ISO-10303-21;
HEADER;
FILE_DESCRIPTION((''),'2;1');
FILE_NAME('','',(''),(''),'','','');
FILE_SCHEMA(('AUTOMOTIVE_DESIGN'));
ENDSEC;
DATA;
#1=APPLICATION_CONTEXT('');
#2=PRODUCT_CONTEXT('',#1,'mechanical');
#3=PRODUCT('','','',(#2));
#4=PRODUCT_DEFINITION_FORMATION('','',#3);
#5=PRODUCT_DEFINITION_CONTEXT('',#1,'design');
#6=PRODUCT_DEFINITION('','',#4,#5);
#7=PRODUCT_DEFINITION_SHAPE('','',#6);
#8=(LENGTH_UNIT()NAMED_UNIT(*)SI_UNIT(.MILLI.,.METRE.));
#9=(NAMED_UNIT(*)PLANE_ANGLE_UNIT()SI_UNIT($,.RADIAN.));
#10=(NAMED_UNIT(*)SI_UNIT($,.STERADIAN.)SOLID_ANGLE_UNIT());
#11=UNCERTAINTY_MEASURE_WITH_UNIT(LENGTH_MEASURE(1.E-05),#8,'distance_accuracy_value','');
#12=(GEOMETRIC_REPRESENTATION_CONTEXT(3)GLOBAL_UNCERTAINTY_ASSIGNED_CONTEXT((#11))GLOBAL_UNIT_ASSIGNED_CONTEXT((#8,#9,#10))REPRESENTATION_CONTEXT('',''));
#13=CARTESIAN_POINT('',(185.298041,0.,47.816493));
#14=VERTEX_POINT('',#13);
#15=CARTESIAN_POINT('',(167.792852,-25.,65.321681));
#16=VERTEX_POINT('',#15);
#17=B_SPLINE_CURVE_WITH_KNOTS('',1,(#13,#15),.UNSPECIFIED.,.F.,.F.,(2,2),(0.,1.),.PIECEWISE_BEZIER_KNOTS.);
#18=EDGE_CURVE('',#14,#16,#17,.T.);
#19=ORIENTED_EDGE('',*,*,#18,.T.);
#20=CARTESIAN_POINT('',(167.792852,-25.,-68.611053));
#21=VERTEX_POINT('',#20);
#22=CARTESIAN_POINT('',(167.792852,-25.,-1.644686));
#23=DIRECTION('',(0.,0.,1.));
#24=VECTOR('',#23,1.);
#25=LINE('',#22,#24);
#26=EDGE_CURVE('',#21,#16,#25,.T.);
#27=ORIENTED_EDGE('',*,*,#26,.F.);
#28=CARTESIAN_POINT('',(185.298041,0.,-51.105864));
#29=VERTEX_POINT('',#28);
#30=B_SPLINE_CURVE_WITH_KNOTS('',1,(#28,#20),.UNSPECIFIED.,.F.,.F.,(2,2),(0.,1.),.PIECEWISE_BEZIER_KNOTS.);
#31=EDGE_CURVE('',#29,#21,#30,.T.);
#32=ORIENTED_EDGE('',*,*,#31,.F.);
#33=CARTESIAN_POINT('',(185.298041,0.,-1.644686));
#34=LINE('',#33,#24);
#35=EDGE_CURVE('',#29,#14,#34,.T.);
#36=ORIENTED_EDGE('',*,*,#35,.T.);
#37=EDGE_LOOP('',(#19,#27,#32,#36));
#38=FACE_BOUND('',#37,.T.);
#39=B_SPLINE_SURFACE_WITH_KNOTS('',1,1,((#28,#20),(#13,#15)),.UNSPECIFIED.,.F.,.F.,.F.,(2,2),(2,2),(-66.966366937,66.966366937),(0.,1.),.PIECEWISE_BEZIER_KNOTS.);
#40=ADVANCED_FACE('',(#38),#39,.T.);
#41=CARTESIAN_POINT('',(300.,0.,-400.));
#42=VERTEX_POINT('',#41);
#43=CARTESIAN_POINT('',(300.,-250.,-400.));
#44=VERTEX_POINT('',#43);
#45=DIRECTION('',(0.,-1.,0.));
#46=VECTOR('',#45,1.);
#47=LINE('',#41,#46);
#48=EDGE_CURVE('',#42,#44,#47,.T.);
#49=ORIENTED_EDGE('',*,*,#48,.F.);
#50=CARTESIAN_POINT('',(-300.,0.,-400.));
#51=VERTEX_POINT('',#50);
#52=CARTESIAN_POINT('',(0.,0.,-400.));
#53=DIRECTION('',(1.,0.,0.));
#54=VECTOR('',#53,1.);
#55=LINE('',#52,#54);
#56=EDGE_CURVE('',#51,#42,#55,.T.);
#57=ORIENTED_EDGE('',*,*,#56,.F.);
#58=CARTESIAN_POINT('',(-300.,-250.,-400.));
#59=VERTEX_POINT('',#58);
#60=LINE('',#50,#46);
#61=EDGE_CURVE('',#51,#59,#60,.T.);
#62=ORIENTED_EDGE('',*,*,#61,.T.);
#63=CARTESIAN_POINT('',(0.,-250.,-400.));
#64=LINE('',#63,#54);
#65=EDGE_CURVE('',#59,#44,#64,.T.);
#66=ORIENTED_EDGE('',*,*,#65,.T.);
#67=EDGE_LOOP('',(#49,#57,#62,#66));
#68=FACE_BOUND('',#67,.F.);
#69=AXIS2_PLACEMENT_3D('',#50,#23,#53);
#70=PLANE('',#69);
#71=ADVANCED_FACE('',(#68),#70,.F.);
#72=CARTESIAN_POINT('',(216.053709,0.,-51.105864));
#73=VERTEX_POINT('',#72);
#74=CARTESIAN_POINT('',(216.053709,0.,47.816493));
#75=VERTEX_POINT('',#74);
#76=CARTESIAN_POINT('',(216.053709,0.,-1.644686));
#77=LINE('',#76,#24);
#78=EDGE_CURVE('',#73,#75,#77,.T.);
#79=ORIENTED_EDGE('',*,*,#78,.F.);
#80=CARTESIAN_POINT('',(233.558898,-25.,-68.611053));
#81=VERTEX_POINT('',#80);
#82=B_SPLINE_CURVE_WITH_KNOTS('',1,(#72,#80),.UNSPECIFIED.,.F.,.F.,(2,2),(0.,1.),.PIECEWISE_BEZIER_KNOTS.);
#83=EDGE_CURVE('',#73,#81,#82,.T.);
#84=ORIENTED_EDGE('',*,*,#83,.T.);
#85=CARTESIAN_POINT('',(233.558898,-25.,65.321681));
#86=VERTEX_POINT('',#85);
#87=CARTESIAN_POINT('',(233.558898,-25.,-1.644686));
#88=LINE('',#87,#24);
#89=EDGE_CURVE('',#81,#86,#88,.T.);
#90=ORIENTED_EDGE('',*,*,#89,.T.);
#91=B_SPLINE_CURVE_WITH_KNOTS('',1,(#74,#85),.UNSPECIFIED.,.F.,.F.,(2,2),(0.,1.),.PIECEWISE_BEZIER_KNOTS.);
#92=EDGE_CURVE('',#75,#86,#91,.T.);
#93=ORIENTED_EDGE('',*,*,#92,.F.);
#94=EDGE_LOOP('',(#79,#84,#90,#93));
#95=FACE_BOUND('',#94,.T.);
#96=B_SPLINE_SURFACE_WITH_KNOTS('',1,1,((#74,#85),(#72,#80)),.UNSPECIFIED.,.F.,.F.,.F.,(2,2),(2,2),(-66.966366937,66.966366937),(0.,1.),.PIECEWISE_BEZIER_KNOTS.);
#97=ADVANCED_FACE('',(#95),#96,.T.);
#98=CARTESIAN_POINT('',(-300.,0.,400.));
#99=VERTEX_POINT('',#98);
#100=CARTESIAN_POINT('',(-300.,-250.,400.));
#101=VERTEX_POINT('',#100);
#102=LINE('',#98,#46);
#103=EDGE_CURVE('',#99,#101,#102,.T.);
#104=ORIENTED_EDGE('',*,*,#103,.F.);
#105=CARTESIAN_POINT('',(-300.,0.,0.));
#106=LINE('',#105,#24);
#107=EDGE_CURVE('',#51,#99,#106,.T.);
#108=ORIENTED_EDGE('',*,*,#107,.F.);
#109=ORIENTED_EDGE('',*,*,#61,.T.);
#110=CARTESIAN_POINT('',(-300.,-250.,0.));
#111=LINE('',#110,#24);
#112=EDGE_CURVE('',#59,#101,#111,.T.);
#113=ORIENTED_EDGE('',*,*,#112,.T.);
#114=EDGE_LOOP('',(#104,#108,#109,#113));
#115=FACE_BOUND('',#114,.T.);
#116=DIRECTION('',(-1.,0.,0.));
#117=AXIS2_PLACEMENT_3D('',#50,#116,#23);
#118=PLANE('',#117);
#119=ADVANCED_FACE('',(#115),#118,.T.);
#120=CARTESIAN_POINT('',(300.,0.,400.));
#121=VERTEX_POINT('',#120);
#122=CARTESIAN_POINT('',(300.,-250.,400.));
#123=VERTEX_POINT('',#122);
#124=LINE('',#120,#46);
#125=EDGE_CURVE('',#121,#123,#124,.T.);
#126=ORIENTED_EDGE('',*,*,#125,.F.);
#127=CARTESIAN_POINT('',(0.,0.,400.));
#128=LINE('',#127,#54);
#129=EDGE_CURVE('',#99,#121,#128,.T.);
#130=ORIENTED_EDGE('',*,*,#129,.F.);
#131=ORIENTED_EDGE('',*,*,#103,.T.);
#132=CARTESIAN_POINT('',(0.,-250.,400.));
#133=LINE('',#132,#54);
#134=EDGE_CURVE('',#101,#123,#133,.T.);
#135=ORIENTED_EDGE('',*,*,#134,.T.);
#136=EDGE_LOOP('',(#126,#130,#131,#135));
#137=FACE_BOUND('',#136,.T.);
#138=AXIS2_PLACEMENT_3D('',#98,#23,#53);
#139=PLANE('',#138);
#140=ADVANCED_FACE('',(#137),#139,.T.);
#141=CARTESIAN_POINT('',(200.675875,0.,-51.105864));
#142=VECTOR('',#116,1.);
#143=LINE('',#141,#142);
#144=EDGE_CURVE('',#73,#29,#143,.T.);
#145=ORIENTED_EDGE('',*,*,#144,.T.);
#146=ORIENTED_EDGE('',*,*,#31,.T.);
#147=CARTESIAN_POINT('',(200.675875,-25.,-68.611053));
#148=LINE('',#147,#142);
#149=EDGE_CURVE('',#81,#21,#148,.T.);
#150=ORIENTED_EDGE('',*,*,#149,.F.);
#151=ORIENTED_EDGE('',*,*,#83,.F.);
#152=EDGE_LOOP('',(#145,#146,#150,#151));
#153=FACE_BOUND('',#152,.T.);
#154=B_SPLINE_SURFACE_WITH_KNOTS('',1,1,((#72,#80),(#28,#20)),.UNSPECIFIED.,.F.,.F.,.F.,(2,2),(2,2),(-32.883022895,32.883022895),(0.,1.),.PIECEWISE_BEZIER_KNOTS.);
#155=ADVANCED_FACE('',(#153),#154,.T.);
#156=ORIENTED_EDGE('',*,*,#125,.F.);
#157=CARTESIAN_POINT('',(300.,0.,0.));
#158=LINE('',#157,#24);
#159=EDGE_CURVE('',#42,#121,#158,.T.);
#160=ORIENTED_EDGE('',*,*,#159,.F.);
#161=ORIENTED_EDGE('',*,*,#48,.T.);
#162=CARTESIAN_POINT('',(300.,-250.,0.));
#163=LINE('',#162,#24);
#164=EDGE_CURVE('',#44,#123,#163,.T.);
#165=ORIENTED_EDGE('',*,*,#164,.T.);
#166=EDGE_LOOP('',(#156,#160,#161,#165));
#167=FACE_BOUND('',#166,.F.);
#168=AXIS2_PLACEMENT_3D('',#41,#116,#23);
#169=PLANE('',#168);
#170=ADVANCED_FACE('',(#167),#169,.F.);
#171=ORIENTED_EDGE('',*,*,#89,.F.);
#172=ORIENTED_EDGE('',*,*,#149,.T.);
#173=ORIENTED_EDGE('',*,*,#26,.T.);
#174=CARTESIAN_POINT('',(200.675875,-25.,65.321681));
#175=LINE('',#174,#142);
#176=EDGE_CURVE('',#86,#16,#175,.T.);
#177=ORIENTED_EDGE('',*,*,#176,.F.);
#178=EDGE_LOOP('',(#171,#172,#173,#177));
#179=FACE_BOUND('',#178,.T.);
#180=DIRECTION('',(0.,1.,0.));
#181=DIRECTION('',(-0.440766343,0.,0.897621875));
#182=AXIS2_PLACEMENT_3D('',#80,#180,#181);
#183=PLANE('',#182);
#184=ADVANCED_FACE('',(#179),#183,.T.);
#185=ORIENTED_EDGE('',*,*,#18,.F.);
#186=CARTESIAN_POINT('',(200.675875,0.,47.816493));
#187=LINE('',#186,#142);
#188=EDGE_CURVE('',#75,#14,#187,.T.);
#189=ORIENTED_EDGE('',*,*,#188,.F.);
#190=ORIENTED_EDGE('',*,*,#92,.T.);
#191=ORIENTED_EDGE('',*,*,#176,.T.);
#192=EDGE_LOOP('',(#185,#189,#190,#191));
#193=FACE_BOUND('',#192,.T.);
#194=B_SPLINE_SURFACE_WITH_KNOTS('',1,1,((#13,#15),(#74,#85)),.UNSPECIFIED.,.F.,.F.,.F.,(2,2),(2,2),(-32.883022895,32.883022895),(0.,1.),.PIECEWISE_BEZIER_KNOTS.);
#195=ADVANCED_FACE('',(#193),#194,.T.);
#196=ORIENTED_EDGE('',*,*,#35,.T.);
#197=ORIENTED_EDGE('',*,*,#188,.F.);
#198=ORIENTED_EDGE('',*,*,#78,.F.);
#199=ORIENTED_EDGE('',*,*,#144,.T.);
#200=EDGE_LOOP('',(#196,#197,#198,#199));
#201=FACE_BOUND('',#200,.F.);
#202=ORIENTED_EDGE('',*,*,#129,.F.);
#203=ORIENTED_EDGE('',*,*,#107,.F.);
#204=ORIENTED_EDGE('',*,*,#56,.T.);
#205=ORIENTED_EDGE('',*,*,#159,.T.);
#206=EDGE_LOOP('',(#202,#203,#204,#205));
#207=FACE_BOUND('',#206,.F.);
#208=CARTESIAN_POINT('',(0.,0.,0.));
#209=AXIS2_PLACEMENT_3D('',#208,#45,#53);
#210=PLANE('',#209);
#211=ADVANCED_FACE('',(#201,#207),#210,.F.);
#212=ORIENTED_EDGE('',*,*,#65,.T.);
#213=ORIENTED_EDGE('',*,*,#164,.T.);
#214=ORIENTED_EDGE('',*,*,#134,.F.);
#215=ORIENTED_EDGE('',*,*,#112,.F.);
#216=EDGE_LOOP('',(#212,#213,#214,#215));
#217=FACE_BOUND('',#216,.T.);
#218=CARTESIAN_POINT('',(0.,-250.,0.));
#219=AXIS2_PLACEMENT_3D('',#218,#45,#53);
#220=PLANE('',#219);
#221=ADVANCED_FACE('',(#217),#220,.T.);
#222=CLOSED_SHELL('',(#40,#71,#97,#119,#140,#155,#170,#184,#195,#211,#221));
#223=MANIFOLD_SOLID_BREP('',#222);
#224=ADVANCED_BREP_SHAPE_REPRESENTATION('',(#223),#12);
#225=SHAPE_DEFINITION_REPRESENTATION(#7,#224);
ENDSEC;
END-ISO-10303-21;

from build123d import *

# Parameters (mm, degrees)
F0_W     = 600
F0_H     = 800
F1_DEPTH = 250
F2_W     = 30.7556688786
F2_H     = 98.9223569632
F3_DEPTH = 25
F3_TAPER = -35


with BuildPart() as f1:
    # F0 (on Front) → F1 (new body)
    with BuildSketch(Plane.XZ):
        Rectangle(F0_W, F0_H)
    extrude(amount=F1_DEPTH)

    # F2 (on face) → F3 (cut)
    with BuildSketch(Plane(origin=(0, 0, 0), x_dir=(-1, 0, 0), z_dir=(0, 1, 0))):
        with Locations((-200.6758749485, -1.6446858644)):
            Rectangle(F2_W, F2_H)
    extrude(amount=-F3_DEPTH, taper=F3_TAPER, mode=Mode.SUBTRACT)


solid = f1.part
